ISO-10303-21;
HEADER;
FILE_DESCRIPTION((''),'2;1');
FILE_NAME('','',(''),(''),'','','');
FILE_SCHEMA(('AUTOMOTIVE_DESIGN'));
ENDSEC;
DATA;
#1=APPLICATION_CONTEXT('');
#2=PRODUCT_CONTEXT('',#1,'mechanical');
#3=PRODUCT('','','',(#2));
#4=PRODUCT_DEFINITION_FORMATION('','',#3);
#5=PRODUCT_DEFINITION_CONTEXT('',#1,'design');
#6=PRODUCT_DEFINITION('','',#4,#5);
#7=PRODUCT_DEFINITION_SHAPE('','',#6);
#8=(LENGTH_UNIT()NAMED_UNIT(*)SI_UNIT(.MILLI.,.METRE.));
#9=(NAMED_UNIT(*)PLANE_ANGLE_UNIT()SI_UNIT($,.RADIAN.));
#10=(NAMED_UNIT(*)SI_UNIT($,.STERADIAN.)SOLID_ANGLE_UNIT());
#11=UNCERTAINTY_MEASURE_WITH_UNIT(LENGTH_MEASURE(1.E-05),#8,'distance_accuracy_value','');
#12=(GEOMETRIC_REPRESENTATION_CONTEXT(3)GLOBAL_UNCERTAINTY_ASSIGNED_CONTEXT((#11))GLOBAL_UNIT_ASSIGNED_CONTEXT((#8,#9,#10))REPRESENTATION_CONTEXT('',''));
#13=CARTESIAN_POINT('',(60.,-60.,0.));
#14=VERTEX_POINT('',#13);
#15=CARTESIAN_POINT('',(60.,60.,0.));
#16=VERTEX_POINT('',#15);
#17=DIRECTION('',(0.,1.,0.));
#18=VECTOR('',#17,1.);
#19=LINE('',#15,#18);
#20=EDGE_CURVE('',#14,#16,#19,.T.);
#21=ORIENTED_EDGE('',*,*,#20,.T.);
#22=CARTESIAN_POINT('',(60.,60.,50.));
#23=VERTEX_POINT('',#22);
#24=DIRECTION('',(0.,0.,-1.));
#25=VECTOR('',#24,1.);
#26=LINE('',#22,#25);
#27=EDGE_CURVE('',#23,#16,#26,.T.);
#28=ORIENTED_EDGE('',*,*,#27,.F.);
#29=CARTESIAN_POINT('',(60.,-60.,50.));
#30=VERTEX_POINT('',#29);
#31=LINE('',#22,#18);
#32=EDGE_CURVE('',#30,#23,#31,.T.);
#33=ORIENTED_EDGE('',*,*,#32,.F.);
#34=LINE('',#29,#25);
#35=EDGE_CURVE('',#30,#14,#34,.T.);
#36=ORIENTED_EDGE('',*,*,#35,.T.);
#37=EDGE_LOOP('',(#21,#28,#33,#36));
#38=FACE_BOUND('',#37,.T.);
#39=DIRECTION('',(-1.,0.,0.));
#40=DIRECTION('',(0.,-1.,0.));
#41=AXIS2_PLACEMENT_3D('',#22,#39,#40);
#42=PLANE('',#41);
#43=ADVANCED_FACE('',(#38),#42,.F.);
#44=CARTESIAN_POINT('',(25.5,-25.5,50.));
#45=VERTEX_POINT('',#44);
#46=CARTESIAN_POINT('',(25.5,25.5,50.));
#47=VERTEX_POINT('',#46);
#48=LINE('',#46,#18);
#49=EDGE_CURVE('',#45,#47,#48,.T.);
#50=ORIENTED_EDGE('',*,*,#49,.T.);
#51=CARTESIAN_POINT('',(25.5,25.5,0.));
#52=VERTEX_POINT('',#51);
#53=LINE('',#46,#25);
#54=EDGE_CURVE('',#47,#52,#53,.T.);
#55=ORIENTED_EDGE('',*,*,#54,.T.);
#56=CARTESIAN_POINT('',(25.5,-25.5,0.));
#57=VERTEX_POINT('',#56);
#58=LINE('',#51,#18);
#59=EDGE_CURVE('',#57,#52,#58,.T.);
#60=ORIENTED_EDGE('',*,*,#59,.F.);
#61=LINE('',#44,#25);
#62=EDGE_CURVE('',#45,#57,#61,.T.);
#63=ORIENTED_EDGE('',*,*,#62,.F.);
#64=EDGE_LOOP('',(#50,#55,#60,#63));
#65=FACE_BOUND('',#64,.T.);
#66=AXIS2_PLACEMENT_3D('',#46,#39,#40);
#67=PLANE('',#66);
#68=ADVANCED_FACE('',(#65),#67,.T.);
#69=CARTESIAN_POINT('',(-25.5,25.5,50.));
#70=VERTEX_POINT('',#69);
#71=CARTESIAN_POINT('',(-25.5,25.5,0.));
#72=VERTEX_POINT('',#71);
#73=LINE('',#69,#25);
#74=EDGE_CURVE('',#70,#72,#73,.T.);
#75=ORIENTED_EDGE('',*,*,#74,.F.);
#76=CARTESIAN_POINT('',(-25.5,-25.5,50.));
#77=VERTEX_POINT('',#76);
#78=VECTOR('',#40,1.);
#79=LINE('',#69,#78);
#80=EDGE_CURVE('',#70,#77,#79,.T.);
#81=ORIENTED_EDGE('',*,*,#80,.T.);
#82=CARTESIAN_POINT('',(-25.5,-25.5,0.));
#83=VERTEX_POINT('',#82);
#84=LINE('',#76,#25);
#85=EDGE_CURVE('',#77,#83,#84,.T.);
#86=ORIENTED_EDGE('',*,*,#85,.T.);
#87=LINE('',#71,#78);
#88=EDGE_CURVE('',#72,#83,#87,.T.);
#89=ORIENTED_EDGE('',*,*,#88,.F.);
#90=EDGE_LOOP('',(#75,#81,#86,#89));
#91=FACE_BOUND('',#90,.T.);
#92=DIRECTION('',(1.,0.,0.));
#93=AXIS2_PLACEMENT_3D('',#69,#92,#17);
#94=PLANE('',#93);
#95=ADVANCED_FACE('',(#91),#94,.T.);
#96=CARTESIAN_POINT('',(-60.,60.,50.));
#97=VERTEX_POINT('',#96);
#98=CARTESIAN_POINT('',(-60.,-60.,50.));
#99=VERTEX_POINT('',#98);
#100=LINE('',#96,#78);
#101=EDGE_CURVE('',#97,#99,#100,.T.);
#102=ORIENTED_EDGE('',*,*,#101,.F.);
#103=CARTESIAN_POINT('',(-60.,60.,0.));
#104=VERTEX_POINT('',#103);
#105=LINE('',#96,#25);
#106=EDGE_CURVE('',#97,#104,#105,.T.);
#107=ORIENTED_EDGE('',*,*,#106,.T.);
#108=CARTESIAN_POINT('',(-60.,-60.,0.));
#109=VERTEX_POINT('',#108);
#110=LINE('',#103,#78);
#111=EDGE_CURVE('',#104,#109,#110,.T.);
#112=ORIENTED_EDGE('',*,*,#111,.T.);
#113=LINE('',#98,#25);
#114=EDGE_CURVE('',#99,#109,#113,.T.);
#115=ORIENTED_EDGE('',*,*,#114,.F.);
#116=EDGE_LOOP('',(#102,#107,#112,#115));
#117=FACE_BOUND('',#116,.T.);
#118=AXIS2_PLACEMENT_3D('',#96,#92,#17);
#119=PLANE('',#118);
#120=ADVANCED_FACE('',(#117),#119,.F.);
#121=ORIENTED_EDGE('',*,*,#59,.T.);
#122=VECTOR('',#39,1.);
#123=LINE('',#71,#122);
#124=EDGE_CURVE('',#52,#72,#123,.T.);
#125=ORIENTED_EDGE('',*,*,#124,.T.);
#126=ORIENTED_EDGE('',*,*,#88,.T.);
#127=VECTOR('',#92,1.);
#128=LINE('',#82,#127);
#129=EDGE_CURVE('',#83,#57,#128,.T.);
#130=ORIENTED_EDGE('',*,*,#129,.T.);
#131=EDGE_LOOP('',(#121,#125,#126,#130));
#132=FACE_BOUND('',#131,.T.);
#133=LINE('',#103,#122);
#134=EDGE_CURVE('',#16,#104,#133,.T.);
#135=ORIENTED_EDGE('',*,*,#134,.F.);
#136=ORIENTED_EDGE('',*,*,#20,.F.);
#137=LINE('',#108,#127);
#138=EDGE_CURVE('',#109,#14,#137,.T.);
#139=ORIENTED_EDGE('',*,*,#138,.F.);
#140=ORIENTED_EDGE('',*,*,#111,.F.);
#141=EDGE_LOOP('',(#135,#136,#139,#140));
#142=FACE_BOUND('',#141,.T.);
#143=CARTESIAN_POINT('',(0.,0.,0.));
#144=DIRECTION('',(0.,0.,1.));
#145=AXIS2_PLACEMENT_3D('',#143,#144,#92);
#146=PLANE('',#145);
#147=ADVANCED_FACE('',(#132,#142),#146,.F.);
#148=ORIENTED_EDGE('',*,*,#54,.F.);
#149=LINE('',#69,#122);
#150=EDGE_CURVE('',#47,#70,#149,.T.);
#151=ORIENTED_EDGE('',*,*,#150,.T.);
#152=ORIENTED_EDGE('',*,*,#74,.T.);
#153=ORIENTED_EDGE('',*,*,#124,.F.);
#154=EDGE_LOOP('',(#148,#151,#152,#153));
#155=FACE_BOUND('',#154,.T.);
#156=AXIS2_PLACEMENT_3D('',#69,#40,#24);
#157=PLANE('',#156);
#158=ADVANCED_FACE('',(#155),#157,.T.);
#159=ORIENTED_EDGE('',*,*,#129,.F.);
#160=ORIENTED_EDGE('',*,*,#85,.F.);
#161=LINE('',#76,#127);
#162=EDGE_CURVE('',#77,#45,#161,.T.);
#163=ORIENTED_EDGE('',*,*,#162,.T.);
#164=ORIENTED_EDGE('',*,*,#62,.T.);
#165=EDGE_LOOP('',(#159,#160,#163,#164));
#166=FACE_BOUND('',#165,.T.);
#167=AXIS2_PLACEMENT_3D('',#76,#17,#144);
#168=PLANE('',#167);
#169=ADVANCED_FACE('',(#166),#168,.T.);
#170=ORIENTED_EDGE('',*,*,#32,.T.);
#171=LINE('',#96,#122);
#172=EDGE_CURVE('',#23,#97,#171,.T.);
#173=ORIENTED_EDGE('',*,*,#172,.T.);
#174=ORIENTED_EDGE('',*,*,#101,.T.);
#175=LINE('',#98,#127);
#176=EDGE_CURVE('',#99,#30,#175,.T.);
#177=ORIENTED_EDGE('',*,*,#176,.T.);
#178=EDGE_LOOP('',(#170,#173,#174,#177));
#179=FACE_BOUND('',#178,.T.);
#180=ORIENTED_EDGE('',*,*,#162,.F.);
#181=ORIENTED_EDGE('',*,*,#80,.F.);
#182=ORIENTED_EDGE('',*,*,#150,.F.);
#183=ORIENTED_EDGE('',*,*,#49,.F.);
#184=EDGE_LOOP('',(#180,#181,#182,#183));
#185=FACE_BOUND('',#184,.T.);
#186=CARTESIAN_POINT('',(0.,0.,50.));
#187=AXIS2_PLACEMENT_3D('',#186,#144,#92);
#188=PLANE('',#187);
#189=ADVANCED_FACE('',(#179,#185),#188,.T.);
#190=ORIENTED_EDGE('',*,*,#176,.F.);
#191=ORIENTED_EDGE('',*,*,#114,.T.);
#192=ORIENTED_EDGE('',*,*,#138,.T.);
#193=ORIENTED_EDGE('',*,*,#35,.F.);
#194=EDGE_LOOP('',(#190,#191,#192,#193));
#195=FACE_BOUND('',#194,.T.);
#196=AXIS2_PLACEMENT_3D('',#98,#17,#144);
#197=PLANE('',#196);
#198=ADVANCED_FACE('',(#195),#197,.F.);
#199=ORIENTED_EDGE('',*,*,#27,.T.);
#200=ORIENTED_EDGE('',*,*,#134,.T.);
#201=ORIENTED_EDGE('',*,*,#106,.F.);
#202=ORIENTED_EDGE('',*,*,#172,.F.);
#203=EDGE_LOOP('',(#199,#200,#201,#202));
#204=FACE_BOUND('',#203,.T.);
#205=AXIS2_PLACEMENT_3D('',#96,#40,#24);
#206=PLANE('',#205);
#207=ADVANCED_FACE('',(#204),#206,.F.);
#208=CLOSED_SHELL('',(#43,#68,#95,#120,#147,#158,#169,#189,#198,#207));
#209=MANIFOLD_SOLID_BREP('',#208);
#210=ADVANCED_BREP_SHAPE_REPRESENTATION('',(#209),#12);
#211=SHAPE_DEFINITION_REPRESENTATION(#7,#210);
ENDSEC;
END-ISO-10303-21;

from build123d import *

# Parameters (mm, degrees)
SKETCH_1_W      = 120
SKETCH_1_H      = 120
SKETCH_1_W_2    = 51
SKETCH_1_H_2    = 51
EXTRUDE_1_DEPTH = 50


with BuildPart() as part:
    # 스케치1 → 보스-돌출1 (new body)
    with BuildSketch(Plane.XY):
        Rectangle(SKETCH_1_W, SKETCH_1_H)
        Rectangle(SKETCH_1_W_2, SKETCH_1_H_2, mode=Mode.SUBTRACT)
    extrude(amount=EXTRUDE_1_DEPTH)


solid = part.part
